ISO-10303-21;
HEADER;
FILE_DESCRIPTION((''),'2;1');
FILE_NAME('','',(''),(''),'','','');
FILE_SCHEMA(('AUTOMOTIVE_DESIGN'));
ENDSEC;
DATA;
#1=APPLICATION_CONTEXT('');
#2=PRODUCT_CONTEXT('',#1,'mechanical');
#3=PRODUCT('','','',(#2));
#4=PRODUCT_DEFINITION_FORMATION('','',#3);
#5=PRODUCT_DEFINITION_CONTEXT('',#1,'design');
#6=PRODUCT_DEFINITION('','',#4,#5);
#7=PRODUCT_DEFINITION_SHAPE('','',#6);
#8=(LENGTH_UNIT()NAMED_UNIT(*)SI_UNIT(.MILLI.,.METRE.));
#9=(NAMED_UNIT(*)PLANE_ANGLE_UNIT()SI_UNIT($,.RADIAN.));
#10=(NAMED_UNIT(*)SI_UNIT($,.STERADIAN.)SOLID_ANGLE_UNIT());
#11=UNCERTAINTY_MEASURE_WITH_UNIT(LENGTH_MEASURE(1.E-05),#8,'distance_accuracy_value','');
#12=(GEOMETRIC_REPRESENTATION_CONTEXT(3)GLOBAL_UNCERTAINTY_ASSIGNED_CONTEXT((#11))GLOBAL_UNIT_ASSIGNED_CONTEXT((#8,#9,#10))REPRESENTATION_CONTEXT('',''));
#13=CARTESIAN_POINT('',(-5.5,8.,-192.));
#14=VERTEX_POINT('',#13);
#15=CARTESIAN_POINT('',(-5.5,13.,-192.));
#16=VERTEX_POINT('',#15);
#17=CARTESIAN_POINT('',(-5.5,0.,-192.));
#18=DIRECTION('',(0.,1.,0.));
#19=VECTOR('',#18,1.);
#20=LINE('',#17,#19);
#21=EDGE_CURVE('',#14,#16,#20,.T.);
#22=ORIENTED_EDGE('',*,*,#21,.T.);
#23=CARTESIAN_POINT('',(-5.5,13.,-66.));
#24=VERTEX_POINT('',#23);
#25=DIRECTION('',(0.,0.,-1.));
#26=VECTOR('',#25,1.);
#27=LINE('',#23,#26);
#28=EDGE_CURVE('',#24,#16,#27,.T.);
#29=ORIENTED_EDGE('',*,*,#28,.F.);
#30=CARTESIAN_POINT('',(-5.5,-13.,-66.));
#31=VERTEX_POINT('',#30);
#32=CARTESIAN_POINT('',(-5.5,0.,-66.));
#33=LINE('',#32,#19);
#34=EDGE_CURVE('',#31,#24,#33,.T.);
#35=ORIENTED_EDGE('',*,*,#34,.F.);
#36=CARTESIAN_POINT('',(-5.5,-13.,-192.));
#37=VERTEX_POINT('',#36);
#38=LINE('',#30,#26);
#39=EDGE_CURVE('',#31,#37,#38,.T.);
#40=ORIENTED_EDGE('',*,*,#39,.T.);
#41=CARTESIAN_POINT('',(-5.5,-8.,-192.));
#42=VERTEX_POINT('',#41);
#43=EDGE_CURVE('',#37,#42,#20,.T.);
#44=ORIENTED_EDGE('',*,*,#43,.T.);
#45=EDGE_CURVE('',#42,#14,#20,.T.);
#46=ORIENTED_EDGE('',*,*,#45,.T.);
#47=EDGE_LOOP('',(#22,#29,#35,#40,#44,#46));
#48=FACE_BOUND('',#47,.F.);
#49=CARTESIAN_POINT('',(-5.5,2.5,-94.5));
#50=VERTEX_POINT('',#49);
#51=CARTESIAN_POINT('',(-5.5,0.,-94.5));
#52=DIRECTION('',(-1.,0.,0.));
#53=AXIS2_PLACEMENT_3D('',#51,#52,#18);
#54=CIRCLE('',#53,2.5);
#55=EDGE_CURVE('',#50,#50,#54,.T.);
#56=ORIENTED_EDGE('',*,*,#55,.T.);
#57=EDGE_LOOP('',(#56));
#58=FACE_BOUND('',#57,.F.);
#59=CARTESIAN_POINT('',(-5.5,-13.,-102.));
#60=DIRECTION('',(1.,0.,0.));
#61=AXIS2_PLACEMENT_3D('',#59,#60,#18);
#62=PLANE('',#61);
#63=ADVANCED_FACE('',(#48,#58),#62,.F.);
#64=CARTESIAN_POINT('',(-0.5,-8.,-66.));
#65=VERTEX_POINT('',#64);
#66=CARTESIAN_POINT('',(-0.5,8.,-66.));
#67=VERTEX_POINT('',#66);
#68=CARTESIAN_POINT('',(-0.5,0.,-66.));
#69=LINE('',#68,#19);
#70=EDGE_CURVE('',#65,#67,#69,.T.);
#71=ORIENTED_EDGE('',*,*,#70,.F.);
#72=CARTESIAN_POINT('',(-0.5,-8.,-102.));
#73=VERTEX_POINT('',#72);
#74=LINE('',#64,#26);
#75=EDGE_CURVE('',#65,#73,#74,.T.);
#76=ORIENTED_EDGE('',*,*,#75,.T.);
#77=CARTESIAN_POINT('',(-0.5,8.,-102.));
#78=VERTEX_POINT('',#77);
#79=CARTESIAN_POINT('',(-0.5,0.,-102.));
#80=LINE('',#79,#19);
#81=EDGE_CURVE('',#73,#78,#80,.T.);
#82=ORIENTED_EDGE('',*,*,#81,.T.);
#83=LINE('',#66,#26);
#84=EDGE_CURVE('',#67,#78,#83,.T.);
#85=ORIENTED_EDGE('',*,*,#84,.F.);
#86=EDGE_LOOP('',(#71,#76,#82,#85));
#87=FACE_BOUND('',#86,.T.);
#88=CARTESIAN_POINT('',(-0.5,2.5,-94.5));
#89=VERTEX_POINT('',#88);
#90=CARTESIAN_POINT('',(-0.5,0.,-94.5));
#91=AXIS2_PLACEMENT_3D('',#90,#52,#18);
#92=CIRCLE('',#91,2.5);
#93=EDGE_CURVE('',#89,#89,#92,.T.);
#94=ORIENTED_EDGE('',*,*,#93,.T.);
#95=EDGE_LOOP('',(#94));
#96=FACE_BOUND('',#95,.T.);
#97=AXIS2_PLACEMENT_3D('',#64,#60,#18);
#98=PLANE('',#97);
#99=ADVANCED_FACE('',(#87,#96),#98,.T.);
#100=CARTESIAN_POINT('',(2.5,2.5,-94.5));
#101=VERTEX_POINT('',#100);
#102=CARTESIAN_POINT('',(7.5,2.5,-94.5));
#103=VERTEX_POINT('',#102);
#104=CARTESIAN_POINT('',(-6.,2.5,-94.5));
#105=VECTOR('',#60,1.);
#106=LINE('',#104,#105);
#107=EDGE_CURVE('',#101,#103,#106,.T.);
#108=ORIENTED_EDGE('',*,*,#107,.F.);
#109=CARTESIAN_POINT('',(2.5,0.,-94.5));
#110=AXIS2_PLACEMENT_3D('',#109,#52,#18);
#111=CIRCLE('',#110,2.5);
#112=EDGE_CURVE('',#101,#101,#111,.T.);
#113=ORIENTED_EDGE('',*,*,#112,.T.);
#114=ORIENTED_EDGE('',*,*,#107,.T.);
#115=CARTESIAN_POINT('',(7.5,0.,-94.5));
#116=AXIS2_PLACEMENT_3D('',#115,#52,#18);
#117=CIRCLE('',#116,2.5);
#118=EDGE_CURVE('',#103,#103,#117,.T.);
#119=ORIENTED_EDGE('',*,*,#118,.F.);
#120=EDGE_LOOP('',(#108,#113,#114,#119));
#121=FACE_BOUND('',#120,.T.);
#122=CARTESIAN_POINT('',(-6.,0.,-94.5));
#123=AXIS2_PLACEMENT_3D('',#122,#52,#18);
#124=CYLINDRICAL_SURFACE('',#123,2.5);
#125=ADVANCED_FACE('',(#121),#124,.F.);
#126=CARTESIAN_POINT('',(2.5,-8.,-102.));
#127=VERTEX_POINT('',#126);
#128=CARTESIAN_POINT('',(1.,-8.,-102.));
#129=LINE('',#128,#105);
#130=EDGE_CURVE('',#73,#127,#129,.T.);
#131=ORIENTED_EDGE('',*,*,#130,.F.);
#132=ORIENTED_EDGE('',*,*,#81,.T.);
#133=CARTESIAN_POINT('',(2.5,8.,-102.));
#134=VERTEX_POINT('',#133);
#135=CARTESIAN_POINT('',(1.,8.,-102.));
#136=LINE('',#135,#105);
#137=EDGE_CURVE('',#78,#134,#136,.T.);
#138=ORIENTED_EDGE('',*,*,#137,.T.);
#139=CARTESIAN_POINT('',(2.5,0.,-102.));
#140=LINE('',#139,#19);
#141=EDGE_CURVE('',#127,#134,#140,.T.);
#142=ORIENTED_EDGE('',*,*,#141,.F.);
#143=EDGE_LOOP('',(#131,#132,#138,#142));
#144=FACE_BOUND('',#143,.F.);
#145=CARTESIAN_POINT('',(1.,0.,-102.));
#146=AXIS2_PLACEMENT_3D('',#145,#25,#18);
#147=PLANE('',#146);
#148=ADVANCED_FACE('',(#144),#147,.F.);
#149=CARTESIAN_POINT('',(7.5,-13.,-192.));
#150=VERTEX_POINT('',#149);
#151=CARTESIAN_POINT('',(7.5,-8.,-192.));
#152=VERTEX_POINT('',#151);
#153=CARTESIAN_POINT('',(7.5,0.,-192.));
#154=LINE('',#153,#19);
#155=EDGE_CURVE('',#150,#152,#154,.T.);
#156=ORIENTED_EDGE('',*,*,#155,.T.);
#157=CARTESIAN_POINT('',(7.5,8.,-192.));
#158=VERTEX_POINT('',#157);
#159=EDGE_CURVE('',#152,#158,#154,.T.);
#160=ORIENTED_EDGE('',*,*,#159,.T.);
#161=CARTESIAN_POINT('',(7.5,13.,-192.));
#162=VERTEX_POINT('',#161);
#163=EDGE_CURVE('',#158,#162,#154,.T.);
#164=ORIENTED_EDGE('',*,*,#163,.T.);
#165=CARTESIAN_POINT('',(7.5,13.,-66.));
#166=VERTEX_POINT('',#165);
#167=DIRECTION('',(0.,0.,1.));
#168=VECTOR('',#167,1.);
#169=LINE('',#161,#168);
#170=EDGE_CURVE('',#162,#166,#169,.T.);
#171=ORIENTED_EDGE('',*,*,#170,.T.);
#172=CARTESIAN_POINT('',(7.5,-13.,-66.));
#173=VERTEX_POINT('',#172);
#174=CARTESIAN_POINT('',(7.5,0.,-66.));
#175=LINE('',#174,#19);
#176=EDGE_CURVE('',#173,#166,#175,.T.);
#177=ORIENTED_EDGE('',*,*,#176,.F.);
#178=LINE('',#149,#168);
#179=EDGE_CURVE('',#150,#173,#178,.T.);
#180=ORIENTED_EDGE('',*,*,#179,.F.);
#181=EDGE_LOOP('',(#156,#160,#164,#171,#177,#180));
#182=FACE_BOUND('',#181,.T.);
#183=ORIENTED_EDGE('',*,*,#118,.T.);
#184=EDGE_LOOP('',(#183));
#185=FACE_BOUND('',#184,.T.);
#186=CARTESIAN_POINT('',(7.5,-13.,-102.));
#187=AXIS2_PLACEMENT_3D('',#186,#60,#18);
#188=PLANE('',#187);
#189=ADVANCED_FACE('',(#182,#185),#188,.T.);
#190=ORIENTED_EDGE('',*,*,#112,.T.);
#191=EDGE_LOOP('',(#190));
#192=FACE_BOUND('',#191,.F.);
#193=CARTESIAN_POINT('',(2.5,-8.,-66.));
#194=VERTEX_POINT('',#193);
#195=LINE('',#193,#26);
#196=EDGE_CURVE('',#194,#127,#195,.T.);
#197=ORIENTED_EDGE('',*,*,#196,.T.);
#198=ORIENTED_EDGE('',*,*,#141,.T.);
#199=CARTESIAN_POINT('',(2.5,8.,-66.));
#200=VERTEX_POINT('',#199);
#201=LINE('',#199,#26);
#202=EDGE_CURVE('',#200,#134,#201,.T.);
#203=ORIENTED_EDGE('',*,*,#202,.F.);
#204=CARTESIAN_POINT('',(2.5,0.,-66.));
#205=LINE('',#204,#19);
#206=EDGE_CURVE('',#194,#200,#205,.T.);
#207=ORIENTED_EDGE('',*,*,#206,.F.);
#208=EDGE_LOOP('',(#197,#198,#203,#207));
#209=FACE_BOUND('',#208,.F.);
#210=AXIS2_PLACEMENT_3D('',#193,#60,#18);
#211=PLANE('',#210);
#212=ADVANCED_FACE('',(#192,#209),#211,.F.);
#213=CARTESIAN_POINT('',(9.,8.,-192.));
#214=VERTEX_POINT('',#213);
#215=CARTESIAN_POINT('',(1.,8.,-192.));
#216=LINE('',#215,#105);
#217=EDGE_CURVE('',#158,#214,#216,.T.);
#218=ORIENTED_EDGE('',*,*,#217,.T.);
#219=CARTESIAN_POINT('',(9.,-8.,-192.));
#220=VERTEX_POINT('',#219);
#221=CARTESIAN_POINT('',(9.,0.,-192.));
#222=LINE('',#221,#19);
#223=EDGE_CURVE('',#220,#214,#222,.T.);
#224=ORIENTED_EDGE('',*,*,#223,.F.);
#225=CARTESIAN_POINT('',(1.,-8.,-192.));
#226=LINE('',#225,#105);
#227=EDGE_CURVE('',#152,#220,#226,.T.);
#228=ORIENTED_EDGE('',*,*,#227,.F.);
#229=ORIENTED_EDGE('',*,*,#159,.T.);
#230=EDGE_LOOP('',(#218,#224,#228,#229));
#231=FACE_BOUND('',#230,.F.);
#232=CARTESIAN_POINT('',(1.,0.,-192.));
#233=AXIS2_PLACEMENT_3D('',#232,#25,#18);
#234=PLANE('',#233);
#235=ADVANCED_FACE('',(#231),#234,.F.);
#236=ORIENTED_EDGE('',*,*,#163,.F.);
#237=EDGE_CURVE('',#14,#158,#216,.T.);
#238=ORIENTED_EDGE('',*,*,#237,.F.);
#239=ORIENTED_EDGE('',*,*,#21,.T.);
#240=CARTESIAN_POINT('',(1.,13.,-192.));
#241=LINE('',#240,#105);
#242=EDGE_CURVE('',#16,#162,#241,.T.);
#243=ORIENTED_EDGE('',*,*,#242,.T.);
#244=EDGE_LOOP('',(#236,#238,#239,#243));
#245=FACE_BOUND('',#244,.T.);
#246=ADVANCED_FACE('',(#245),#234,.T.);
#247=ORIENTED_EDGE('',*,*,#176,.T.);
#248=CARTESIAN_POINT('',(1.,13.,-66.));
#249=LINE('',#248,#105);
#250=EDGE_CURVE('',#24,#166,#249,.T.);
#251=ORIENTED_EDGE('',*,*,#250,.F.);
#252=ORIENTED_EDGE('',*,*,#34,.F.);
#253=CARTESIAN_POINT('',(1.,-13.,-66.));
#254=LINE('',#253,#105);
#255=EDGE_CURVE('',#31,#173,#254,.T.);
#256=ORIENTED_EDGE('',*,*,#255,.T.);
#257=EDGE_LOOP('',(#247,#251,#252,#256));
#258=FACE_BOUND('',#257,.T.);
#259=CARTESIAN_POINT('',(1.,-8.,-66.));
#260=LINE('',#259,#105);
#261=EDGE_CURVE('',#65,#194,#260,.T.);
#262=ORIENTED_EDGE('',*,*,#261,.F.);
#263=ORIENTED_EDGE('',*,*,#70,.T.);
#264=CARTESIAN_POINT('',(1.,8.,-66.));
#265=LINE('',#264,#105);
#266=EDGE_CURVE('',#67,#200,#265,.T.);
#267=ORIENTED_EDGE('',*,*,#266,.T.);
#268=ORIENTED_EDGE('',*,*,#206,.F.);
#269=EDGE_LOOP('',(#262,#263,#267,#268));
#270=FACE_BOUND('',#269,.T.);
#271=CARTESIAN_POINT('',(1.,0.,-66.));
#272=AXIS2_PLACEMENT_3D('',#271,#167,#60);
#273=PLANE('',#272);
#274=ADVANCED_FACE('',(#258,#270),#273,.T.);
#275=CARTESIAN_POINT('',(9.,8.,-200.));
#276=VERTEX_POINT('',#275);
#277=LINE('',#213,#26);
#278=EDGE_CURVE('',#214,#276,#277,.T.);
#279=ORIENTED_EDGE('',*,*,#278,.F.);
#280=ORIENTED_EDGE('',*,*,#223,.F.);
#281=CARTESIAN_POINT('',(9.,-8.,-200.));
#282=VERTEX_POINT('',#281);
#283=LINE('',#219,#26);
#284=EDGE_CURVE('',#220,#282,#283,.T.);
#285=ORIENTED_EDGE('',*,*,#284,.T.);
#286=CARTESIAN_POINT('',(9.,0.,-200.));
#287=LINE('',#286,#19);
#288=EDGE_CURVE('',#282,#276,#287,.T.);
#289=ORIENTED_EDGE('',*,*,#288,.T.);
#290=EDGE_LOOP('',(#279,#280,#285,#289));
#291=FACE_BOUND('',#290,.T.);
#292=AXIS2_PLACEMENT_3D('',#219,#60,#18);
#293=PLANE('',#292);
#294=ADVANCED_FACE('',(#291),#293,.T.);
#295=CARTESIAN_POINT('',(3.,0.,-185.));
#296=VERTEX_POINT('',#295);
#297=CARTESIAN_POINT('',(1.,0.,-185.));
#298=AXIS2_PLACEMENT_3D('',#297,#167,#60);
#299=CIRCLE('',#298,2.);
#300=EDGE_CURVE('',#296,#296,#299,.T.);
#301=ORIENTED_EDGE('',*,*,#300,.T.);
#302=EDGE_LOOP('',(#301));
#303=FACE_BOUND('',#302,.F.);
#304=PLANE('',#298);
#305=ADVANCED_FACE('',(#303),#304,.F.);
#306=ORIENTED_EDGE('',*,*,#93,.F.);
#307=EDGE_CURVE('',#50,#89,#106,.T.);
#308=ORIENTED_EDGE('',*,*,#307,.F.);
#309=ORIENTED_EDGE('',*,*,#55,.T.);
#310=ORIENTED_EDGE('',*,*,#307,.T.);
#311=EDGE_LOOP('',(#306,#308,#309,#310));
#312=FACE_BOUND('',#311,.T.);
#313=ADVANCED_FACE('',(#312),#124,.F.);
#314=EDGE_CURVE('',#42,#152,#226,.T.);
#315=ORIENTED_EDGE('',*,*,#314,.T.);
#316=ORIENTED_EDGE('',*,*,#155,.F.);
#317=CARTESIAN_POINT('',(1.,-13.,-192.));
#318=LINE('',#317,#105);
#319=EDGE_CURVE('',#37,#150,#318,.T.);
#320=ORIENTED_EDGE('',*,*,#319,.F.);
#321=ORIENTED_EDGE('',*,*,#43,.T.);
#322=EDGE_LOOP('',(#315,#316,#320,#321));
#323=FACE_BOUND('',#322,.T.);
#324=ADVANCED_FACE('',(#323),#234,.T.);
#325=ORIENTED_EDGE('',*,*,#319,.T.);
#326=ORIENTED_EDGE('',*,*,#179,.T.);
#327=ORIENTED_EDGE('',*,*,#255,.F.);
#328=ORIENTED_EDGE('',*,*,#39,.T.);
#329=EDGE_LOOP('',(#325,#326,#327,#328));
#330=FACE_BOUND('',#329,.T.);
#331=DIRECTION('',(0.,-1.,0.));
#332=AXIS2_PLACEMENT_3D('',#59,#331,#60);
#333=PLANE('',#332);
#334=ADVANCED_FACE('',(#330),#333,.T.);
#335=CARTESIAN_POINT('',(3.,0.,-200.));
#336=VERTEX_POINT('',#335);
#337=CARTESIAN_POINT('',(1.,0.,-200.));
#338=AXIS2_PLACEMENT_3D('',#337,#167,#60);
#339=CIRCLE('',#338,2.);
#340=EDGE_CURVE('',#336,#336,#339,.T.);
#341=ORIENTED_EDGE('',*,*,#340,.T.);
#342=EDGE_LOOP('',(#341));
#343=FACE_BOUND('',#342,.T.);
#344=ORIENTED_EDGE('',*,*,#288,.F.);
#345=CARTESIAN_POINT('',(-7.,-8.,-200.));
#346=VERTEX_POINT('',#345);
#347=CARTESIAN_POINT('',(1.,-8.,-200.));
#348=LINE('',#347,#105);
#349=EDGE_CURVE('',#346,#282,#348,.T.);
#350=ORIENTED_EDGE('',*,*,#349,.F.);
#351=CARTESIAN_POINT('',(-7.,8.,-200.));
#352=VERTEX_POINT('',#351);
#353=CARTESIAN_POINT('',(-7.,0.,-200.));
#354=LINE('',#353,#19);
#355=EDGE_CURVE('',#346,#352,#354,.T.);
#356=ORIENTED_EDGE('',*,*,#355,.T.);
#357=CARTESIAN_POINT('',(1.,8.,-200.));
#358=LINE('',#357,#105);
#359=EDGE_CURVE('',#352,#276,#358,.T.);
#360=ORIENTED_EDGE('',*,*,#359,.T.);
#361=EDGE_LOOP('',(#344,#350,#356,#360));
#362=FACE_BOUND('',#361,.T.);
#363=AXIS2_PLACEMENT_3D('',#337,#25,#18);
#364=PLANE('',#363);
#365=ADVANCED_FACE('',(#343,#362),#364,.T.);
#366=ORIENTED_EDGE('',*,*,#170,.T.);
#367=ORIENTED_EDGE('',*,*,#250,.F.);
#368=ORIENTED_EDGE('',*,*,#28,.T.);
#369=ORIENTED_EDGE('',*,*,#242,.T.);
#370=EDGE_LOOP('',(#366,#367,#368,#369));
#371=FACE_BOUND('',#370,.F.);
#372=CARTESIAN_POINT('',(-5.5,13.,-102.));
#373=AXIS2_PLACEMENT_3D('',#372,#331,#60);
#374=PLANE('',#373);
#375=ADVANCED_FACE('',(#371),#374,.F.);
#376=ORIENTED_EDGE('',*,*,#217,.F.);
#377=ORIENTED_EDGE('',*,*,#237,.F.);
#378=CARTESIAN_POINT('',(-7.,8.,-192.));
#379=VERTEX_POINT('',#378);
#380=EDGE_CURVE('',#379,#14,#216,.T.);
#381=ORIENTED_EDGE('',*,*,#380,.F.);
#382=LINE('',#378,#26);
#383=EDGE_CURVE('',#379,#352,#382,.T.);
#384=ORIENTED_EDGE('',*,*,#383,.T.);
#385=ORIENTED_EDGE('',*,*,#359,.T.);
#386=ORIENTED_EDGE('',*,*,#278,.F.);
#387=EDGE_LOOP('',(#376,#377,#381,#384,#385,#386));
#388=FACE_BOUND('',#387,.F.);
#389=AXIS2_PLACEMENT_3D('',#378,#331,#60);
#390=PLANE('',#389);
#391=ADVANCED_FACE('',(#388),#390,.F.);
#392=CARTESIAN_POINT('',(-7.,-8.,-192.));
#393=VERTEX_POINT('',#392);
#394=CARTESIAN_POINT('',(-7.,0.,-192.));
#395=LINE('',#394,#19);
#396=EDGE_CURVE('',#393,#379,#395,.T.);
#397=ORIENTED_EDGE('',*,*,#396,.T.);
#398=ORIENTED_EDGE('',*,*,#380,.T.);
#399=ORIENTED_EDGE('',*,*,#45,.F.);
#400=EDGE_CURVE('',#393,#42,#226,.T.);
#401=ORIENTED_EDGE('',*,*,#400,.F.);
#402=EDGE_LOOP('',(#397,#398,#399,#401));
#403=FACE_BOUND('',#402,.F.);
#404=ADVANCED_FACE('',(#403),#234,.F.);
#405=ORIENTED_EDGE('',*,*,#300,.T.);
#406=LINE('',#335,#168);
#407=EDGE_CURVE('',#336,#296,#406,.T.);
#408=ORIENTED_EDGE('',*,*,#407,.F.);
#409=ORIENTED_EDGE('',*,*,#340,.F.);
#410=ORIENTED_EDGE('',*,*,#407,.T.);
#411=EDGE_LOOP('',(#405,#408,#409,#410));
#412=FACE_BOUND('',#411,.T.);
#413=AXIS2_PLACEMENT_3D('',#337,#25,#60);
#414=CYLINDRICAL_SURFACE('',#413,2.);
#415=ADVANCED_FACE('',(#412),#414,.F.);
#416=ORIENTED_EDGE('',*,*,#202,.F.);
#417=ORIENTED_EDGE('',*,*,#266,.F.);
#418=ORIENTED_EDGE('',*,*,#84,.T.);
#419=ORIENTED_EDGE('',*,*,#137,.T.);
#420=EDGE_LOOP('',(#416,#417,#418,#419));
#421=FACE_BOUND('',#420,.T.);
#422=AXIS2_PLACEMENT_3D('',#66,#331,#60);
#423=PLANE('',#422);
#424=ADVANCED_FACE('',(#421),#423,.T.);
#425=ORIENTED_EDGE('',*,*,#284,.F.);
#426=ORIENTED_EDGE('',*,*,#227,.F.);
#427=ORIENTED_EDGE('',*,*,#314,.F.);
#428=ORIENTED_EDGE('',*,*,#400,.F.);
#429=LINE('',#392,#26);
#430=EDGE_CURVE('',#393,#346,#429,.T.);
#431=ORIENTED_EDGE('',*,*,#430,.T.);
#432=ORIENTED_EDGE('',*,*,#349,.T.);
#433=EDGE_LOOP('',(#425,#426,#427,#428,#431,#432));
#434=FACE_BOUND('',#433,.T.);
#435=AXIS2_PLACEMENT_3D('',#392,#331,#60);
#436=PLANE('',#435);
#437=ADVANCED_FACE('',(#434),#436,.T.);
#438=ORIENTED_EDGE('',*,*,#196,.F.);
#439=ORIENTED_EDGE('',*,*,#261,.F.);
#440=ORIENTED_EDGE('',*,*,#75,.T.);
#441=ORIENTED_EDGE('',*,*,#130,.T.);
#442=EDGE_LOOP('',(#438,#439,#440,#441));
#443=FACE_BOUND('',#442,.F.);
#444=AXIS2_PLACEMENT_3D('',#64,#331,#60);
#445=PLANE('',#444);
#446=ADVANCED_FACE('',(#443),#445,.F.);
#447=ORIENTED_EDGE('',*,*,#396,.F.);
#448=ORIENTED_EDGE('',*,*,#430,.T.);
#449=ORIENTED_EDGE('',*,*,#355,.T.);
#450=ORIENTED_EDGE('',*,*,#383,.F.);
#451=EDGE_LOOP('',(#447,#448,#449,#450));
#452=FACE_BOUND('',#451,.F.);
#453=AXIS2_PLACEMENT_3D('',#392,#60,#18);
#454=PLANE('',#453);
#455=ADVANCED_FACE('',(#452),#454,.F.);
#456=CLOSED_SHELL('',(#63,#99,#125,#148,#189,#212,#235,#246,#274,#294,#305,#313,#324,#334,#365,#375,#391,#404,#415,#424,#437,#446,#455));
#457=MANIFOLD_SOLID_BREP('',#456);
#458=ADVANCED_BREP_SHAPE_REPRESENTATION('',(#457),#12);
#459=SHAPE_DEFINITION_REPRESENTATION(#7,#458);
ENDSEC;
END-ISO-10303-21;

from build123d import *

# Parameters (mm, degrees)
SKETCH002_W       = 13
SKETCH002_H       = 26
SKETCH002_W_2     = 3
SKETCH002_H_2     = 16
PAD002_DEPTH      = 36
CYLINDER002_R     = 2.5
CYLINDER002_DEPTH = 14
SKETCH003_W       = 26
SKETCH003_H       = 13
PAD003_DEPTH      = 90
SKETCH004_W       = 16
SKETCH004_H       = 16
PAD004_DEPTH      = 8
CYLINDER003_R     = 2
CYLINDER003_DEPTH = 15


with BuildPart() as part:
    # Sketch002 → Pad002 (new body)
    with BuildSketch(Plane.XY):
        with Locations((1, 0)):
            Rectangle(SKETCH002_W, SKETCH002_H)
        with Locations((1, 0)):
            Rectangle(SKETCH002_W_2, SKETCH002_H_2, mode=Mode.SUBTRACT)
    extrude(amount=-PAD002_DEPTH)

    # Cylinder002 → Cylinder002 (cut)
    with BuildSketch(Plane(origin=(-6, 0, -28.5), x_dir=(0, 1, 0), z_dir=(1, 0, 0))):
        Circle(CYLINDER002_R)
    extrude(amount=CYLINDER002_DEPTH, mode=Mode.SUBTRACT)

    # Sketch003 (on Face4 of Cylinder002) → Pad003 (join)
    with BuildSketch(Plane(origin=(-6, 0, -36), x_dir=(0, 1, 0), z_dir=(0, 0, -1))):
        with Locations((0, 7)):
            Rectangle(SKETCH003_W, SKETCH003_H)
    extrude(amount=PAD003_DEPTH)

    # Sketch004 (on Face14 of Pad003) → Pad004 (join)
    with BuildSketch(Plane(origin=(-6, 0, -126), x_dir=(0, 1, 0), z_dir=(0, 0, -1))):
        with Locations((0, 7)):
            Rectangle(SKETCH004_W, SKETCH004_H)
    extrude(amount=PAD004_DEPTH)

    # Cylinder003 → Cylinder003 (cut)
    with BuildSketch(Plane(origin=(1, 0, -134), x_dir=(1, 0, 0), z_dir=(0, 0, 1))):
        Circle(CYLINDER003_R)
    extrude(amount=CYLINDER003_DEPTH, mode=Mode.SUBTRACT)


with BuildPart() as part_1:
    # Body002 placement: moved
    add(part.part.moved(Location((0, 0, -66))))


solid = part_1.part
